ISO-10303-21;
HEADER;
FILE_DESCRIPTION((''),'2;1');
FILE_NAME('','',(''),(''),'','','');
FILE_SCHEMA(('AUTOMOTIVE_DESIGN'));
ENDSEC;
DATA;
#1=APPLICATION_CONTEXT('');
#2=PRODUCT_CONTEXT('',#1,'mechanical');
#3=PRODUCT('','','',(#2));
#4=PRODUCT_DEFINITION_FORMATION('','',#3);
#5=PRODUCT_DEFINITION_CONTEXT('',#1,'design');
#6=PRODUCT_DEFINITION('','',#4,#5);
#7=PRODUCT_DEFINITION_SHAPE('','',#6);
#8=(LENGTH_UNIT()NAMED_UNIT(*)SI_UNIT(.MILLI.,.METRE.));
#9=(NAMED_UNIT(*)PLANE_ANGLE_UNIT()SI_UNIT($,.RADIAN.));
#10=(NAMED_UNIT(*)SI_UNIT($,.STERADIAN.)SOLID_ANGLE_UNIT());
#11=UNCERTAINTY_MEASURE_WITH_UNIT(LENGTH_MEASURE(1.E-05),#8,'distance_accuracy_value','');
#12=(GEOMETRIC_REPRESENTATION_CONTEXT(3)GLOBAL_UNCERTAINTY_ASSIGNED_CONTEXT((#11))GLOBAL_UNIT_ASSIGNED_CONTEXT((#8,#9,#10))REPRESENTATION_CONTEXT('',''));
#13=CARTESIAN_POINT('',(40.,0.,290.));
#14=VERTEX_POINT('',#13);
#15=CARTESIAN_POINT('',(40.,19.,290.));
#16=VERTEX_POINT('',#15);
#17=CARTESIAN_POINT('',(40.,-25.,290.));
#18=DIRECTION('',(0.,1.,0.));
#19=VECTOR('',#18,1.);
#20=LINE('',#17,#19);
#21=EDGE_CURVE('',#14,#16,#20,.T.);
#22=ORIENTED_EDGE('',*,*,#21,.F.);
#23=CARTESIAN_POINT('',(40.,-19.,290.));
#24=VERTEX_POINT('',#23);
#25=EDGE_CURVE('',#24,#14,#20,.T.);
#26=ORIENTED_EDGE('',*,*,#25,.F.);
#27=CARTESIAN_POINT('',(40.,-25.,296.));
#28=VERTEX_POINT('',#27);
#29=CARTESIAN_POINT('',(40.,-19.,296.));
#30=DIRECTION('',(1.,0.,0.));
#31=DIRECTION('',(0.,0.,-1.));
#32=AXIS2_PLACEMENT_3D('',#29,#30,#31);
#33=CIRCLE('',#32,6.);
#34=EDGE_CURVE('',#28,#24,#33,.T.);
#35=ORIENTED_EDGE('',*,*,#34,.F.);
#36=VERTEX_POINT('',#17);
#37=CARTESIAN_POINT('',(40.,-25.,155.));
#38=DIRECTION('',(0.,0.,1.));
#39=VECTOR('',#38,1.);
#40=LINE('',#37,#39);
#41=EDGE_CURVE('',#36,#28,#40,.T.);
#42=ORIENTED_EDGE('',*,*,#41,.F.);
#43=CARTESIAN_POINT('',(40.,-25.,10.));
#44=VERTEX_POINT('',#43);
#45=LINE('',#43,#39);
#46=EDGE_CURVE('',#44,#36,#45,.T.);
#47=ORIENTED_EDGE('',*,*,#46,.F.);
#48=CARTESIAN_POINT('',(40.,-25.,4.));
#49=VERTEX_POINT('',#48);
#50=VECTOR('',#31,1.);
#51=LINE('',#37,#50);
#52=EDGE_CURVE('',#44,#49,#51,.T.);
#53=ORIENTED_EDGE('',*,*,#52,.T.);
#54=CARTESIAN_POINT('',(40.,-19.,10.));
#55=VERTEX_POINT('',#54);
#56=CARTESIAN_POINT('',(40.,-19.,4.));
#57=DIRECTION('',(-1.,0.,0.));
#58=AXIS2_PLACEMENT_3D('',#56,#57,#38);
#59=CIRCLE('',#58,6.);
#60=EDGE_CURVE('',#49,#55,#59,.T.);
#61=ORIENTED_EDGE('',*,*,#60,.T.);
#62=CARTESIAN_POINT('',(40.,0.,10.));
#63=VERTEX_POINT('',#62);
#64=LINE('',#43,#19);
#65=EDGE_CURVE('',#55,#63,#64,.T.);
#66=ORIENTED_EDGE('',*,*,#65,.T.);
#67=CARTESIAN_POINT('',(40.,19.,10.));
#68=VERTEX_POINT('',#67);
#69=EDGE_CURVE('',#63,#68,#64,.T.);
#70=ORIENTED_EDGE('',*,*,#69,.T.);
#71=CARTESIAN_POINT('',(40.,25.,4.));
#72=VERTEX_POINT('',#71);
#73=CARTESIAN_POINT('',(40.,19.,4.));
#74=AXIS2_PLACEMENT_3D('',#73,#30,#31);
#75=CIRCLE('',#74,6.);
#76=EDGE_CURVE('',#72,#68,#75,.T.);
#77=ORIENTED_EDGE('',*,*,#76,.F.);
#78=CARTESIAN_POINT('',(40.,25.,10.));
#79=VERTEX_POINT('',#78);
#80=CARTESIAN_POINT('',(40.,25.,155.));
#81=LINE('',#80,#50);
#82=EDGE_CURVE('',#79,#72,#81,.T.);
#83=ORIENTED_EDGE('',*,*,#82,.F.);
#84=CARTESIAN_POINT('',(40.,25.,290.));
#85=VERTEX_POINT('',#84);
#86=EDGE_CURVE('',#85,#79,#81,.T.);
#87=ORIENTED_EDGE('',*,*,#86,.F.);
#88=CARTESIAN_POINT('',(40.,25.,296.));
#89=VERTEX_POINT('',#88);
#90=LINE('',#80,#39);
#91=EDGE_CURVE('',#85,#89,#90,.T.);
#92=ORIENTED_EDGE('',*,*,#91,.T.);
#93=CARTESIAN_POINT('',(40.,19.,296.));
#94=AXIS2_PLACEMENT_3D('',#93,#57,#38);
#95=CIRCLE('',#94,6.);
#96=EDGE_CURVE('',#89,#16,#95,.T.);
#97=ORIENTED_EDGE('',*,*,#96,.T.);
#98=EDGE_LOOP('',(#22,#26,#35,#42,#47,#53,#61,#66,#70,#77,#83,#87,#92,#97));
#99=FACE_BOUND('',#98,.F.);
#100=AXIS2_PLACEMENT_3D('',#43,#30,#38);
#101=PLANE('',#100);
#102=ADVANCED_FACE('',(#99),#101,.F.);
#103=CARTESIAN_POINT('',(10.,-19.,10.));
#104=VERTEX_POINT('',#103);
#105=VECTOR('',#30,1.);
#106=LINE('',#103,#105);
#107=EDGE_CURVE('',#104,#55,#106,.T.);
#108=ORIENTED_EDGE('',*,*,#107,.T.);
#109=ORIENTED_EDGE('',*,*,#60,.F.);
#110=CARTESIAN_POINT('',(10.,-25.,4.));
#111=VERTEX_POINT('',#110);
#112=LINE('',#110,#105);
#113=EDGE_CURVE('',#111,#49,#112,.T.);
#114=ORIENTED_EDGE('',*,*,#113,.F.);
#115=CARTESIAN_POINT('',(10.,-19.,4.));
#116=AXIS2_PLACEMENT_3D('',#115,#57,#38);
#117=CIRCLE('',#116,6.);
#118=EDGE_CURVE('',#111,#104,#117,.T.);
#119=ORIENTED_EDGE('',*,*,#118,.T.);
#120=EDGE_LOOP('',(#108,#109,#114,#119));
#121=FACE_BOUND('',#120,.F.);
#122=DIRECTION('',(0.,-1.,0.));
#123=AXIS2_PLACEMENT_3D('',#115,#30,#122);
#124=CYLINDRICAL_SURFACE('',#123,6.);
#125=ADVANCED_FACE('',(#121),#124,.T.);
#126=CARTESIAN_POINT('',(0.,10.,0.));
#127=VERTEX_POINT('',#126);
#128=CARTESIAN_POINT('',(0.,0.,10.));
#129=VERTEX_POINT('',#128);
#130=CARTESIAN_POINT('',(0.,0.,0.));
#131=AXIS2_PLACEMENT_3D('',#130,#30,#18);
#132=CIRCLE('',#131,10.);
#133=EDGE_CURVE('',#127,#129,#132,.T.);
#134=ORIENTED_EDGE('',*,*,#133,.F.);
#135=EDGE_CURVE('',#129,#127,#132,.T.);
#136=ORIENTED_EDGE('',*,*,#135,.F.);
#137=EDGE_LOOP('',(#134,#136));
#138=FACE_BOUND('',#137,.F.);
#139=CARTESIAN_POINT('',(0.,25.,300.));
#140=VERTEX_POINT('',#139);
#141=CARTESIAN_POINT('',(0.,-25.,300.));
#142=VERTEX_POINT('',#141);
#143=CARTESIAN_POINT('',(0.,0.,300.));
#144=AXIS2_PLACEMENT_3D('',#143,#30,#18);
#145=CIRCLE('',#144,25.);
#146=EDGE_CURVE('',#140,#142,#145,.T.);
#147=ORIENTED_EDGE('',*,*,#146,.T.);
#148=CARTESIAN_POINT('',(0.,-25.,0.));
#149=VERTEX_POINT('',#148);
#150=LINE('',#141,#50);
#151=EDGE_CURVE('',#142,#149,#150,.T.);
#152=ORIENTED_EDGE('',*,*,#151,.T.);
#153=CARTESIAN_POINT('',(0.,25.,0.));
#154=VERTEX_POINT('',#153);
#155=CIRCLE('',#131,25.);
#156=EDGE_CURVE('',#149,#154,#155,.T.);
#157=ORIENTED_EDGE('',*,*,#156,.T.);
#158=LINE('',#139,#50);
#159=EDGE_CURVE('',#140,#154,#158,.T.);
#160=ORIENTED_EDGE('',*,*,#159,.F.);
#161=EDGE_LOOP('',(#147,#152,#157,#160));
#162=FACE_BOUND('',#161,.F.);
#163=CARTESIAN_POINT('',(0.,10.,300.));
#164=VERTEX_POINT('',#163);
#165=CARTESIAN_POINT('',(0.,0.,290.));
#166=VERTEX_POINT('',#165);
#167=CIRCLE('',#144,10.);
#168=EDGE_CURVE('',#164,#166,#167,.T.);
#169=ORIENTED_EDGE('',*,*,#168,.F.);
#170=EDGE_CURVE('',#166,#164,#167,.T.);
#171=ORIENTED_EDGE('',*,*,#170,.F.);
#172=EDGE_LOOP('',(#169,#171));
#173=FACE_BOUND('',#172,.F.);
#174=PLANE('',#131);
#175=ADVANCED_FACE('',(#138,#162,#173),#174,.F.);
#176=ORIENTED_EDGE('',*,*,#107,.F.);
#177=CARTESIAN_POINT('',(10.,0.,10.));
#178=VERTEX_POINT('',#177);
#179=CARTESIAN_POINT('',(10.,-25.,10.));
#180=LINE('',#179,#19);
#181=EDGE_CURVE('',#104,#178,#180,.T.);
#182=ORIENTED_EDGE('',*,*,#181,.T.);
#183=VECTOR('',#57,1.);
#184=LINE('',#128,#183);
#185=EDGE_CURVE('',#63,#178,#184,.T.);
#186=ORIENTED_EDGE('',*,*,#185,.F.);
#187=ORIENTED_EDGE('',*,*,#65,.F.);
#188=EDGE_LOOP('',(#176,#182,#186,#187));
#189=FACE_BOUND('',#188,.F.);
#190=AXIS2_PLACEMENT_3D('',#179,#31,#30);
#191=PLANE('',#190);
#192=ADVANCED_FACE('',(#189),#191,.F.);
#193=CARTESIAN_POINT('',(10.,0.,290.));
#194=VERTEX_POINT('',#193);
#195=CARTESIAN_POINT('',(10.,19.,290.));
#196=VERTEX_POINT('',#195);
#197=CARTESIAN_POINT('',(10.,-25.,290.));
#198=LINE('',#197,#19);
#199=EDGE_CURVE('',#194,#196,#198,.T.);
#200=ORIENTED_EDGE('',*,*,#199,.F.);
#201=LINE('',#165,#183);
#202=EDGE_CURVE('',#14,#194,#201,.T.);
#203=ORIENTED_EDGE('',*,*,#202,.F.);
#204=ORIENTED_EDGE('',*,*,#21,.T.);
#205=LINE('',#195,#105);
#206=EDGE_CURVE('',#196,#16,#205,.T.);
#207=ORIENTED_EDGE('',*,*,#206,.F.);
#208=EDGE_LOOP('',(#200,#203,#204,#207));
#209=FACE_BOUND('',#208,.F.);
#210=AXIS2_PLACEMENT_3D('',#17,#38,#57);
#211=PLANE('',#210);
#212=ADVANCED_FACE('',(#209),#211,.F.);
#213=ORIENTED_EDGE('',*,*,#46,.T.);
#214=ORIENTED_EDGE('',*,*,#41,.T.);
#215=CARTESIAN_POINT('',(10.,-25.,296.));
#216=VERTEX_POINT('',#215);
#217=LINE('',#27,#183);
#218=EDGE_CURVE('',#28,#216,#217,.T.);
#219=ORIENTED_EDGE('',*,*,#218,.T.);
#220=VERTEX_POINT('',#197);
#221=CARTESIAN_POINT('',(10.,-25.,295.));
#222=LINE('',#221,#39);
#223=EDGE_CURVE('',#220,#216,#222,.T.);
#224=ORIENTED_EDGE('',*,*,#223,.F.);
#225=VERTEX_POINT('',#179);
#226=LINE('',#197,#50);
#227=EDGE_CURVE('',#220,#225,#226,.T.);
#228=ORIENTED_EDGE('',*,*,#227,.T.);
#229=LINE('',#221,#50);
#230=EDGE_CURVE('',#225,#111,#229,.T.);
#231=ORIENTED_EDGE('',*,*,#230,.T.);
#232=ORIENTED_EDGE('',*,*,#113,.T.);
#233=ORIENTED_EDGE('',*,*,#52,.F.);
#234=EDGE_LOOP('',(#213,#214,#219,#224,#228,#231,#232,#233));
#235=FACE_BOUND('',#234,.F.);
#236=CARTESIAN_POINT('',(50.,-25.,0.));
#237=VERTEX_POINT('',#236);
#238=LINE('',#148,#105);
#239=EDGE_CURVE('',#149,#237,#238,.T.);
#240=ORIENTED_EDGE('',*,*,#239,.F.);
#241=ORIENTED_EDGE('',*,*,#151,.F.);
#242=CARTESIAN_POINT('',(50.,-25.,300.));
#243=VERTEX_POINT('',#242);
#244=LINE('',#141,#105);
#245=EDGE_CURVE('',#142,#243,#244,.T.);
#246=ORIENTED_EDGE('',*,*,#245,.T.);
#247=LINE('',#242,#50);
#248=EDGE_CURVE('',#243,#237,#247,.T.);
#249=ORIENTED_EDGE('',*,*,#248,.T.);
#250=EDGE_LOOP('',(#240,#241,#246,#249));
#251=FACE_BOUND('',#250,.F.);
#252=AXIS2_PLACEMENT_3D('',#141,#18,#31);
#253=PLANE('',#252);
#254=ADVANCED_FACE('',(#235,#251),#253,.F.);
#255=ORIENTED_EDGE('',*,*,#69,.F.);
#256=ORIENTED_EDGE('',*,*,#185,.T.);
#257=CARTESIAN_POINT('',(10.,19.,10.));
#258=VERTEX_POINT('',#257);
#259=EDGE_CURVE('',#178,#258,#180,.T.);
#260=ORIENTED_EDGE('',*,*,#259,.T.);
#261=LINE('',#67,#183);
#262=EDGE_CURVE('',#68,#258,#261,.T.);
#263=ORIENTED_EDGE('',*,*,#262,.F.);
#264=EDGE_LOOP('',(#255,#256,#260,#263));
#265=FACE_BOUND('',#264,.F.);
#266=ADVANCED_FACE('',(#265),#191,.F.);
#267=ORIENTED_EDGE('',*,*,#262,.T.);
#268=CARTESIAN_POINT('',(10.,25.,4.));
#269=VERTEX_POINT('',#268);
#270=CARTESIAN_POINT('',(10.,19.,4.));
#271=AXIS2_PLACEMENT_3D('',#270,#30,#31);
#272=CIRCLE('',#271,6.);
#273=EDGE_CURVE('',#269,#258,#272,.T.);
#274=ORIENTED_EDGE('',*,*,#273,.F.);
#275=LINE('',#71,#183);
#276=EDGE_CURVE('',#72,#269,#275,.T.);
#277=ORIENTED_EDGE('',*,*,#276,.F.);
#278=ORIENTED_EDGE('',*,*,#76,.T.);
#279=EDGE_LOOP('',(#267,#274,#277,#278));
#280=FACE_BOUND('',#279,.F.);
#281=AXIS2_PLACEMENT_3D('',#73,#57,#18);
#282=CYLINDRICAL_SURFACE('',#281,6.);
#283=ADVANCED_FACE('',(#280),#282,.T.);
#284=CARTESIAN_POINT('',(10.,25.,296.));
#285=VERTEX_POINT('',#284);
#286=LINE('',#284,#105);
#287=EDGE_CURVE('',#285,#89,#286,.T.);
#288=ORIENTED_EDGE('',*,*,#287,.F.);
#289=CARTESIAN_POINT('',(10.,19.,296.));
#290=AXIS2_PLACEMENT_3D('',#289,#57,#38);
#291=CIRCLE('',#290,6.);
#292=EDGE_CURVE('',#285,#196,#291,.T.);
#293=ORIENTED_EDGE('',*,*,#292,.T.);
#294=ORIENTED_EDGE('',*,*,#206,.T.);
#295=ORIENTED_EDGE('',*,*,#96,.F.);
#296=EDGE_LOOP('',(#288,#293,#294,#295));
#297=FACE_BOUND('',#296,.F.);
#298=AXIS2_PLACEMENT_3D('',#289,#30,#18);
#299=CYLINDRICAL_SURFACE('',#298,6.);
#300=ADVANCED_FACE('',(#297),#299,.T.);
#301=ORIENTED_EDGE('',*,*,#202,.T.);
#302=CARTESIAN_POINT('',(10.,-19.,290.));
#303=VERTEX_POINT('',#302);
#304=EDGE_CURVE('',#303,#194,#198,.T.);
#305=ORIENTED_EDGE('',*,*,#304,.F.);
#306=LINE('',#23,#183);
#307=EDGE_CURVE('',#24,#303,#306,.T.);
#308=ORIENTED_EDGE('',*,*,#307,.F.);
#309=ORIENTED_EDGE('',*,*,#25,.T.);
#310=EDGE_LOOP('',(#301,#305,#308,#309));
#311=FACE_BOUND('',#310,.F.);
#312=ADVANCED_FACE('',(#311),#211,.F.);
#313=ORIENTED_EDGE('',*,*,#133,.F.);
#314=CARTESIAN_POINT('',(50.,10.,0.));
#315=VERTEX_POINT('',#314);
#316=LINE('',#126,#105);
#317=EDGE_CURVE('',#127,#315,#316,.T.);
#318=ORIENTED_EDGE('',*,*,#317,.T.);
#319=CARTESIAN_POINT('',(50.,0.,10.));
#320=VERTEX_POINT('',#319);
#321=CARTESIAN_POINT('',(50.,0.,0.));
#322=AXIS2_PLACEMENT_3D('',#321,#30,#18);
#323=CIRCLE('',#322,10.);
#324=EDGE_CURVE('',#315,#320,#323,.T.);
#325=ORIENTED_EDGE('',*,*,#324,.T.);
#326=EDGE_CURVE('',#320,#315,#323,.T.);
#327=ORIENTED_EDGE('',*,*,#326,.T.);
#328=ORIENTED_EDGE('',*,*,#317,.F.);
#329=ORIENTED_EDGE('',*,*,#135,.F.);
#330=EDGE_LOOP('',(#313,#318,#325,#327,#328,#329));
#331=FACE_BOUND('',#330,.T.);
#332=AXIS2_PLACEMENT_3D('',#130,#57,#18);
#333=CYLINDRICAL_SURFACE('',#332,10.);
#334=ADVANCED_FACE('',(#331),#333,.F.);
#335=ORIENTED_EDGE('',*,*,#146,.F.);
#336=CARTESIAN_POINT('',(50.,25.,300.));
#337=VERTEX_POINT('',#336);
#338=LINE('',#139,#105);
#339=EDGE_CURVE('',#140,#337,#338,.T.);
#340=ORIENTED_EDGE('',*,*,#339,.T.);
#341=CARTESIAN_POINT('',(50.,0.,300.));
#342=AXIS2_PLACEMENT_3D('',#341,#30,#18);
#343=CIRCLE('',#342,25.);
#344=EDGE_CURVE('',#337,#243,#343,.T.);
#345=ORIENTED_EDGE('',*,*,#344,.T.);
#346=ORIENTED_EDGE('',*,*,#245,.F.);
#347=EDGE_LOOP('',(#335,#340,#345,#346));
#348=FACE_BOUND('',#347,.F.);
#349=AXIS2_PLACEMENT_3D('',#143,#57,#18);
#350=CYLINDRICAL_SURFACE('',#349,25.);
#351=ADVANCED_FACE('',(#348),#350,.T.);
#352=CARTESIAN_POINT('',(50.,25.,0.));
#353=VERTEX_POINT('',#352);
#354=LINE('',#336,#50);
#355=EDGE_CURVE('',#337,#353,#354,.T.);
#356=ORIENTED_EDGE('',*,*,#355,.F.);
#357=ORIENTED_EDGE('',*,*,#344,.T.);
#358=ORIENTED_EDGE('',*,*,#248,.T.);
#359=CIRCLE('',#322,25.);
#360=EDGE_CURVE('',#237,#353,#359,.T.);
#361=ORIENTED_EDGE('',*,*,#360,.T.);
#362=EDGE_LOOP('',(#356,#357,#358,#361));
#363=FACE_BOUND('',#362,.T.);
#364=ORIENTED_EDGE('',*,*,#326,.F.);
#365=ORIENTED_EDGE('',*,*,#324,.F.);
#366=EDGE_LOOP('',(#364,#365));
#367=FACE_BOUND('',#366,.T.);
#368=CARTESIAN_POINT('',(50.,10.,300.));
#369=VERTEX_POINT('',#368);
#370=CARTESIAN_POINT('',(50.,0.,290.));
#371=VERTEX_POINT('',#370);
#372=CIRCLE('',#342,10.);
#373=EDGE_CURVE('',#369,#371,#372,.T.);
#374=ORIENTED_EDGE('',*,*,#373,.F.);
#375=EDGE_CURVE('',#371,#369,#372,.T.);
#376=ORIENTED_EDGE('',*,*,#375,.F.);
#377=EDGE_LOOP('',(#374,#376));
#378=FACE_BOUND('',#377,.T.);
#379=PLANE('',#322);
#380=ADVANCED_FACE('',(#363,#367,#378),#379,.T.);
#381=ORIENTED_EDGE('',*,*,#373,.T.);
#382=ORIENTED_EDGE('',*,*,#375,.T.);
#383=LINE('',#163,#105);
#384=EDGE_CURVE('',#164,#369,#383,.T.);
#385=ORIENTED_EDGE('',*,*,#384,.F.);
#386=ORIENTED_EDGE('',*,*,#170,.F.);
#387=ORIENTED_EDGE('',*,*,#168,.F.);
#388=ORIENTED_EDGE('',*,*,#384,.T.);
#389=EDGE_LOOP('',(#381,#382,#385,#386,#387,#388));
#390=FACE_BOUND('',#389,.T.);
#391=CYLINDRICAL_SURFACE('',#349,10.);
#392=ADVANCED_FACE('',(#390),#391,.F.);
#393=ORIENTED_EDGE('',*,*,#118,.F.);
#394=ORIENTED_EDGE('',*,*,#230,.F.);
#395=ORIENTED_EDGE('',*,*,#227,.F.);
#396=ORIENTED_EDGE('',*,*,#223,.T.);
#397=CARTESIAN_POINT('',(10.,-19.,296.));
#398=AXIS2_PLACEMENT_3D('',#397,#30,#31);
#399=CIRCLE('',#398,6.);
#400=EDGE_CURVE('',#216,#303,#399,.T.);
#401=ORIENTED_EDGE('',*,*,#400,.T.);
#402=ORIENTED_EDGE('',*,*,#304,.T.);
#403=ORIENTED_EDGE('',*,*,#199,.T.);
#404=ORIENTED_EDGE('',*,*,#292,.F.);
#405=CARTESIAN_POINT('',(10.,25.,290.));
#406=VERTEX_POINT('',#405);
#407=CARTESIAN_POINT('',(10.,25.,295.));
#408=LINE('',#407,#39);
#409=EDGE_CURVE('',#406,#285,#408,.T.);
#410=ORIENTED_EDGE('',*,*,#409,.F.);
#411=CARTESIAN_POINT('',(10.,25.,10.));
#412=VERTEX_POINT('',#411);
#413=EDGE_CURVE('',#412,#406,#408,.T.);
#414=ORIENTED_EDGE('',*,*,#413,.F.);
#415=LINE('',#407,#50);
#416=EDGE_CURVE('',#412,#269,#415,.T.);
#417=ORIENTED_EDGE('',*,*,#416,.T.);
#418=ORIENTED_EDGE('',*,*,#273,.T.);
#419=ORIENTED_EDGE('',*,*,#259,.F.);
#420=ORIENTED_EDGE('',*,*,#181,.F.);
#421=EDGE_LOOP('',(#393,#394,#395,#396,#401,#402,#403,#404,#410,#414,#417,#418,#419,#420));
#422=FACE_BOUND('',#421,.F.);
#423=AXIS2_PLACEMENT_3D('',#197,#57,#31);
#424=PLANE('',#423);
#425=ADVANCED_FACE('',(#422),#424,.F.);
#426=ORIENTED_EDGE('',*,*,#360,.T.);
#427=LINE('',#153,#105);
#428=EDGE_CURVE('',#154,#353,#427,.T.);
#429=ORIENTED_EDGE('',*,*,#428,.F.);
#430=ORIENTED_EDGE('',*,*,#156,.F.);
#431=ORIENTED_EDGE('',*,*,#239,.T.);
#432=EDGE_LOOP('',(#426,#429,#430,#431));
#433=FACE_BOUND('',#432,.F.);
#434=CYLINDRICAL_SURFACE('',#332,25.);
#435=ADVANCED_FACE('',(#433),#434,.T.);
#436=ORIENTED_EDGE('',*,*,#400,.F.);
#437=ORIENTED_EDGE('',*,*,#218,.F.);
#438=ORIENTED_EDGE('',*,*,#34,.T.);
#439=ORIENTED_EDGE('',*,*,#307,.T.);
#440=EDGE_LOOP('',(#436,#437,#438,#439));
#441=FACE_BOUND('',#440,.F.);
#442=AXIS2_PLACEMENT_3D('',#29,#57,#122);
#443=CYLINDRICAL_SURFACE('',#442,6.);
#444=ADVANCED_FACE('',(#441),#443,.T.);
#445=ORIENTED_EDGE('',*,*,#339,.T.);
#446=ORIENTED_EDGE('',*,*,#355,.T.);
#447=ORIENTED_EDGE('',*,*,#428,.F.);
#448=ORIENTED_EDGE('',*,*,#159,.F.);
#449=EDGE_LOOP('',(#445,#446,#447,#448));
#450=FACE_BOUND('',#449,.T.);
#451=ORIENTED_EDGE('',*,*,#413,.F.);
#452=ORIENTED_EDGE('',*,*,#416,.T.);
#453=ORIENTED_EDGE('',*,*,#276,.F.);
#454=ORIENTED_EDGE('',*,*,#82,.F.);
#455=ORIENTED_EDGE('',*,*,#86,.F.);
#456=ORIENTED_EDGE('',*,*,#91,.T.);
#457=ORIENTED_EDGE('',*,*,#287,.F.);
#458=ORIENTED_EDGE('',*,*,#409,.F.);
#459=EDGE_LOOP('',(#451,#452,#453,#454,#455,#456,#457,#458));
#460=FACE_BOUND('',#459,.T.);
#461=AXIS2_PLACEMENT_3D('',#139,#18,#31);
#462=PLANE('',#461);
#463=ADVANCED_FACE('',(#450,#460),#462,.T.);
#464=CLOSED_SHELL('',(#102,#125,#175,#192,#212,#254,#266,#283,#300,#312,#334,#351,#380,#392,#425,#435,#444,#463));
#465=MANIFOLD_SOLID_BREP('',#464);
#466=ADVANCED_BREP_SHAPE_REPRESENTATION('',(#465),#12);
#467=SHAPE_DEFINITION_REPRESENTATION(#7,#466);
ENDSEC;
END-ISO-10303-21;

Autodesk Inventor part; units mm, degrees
ref_plane "YZ Plane" through (0, 0, 0) normal (1, 0, 0) x (0, 1, 0)
ref_plane "XZ Plane" through (0, 0, 0) normal (0, 1, 0) x (-1, 0, 0)
ref_plane "XY Plane" through (0, 0, 0) normal (0, 0, 1) x (1, 0, 0)
sketch "Sketch1" plane through (0, 0, 0) normal (1, 0, 0) x (0, 1, 0)
  circle A0 centre (0, 0) radius 25
  line L0 (0, 0) -> (0, 300)
  circle A1 centre (0, 300) radius 25
  circle A2 centre (0, 300) radius 10
  circle A3 centre (0, 0) radius 10
  line L1 (25, 300) -> (25, 0)
  line L2 (-25, 300) -> (-25, 0)
  dimension "d0" = 300
  dimension "d1" = 50
  dimension "d2" = 20
extrude "Extrusion1" add sketch "Sketch1" along normal blind 50
sketch "Sketch2" plane through (0, -25, 0) normal (0, -1, 0) x (1, 0, 0)
  line L0 (0, 0) -> (50, 0) projected
  line L1 (50, 300) -> (50, 0) projected
  line L2 (0, 0) -> (50, 0)
  line L3 (50, 0) -> (50, 300)
  line L4 (50, 300) -> (0, 300)
  line L5 (0, 300) -> (0, 0)
  line L6 (10, 10) -> (40, 10)
  line L7 (40, 10) -> (40, 290)
  line L8 (40, 290) -> (10, 290)
  line L9 (10, 290) -> (10, 10)
  dimension "d6" = 10
extrude "Extrusion2" cut sketch "Sketch2" against normal through all contours L9 L8 L7 L6
fillet "Fillet1" radius 6 4 edges at (25, 25, 290) (25, 25, 10) (25, -25, 10) (25, -25, 290)
properties part number "arm1"
